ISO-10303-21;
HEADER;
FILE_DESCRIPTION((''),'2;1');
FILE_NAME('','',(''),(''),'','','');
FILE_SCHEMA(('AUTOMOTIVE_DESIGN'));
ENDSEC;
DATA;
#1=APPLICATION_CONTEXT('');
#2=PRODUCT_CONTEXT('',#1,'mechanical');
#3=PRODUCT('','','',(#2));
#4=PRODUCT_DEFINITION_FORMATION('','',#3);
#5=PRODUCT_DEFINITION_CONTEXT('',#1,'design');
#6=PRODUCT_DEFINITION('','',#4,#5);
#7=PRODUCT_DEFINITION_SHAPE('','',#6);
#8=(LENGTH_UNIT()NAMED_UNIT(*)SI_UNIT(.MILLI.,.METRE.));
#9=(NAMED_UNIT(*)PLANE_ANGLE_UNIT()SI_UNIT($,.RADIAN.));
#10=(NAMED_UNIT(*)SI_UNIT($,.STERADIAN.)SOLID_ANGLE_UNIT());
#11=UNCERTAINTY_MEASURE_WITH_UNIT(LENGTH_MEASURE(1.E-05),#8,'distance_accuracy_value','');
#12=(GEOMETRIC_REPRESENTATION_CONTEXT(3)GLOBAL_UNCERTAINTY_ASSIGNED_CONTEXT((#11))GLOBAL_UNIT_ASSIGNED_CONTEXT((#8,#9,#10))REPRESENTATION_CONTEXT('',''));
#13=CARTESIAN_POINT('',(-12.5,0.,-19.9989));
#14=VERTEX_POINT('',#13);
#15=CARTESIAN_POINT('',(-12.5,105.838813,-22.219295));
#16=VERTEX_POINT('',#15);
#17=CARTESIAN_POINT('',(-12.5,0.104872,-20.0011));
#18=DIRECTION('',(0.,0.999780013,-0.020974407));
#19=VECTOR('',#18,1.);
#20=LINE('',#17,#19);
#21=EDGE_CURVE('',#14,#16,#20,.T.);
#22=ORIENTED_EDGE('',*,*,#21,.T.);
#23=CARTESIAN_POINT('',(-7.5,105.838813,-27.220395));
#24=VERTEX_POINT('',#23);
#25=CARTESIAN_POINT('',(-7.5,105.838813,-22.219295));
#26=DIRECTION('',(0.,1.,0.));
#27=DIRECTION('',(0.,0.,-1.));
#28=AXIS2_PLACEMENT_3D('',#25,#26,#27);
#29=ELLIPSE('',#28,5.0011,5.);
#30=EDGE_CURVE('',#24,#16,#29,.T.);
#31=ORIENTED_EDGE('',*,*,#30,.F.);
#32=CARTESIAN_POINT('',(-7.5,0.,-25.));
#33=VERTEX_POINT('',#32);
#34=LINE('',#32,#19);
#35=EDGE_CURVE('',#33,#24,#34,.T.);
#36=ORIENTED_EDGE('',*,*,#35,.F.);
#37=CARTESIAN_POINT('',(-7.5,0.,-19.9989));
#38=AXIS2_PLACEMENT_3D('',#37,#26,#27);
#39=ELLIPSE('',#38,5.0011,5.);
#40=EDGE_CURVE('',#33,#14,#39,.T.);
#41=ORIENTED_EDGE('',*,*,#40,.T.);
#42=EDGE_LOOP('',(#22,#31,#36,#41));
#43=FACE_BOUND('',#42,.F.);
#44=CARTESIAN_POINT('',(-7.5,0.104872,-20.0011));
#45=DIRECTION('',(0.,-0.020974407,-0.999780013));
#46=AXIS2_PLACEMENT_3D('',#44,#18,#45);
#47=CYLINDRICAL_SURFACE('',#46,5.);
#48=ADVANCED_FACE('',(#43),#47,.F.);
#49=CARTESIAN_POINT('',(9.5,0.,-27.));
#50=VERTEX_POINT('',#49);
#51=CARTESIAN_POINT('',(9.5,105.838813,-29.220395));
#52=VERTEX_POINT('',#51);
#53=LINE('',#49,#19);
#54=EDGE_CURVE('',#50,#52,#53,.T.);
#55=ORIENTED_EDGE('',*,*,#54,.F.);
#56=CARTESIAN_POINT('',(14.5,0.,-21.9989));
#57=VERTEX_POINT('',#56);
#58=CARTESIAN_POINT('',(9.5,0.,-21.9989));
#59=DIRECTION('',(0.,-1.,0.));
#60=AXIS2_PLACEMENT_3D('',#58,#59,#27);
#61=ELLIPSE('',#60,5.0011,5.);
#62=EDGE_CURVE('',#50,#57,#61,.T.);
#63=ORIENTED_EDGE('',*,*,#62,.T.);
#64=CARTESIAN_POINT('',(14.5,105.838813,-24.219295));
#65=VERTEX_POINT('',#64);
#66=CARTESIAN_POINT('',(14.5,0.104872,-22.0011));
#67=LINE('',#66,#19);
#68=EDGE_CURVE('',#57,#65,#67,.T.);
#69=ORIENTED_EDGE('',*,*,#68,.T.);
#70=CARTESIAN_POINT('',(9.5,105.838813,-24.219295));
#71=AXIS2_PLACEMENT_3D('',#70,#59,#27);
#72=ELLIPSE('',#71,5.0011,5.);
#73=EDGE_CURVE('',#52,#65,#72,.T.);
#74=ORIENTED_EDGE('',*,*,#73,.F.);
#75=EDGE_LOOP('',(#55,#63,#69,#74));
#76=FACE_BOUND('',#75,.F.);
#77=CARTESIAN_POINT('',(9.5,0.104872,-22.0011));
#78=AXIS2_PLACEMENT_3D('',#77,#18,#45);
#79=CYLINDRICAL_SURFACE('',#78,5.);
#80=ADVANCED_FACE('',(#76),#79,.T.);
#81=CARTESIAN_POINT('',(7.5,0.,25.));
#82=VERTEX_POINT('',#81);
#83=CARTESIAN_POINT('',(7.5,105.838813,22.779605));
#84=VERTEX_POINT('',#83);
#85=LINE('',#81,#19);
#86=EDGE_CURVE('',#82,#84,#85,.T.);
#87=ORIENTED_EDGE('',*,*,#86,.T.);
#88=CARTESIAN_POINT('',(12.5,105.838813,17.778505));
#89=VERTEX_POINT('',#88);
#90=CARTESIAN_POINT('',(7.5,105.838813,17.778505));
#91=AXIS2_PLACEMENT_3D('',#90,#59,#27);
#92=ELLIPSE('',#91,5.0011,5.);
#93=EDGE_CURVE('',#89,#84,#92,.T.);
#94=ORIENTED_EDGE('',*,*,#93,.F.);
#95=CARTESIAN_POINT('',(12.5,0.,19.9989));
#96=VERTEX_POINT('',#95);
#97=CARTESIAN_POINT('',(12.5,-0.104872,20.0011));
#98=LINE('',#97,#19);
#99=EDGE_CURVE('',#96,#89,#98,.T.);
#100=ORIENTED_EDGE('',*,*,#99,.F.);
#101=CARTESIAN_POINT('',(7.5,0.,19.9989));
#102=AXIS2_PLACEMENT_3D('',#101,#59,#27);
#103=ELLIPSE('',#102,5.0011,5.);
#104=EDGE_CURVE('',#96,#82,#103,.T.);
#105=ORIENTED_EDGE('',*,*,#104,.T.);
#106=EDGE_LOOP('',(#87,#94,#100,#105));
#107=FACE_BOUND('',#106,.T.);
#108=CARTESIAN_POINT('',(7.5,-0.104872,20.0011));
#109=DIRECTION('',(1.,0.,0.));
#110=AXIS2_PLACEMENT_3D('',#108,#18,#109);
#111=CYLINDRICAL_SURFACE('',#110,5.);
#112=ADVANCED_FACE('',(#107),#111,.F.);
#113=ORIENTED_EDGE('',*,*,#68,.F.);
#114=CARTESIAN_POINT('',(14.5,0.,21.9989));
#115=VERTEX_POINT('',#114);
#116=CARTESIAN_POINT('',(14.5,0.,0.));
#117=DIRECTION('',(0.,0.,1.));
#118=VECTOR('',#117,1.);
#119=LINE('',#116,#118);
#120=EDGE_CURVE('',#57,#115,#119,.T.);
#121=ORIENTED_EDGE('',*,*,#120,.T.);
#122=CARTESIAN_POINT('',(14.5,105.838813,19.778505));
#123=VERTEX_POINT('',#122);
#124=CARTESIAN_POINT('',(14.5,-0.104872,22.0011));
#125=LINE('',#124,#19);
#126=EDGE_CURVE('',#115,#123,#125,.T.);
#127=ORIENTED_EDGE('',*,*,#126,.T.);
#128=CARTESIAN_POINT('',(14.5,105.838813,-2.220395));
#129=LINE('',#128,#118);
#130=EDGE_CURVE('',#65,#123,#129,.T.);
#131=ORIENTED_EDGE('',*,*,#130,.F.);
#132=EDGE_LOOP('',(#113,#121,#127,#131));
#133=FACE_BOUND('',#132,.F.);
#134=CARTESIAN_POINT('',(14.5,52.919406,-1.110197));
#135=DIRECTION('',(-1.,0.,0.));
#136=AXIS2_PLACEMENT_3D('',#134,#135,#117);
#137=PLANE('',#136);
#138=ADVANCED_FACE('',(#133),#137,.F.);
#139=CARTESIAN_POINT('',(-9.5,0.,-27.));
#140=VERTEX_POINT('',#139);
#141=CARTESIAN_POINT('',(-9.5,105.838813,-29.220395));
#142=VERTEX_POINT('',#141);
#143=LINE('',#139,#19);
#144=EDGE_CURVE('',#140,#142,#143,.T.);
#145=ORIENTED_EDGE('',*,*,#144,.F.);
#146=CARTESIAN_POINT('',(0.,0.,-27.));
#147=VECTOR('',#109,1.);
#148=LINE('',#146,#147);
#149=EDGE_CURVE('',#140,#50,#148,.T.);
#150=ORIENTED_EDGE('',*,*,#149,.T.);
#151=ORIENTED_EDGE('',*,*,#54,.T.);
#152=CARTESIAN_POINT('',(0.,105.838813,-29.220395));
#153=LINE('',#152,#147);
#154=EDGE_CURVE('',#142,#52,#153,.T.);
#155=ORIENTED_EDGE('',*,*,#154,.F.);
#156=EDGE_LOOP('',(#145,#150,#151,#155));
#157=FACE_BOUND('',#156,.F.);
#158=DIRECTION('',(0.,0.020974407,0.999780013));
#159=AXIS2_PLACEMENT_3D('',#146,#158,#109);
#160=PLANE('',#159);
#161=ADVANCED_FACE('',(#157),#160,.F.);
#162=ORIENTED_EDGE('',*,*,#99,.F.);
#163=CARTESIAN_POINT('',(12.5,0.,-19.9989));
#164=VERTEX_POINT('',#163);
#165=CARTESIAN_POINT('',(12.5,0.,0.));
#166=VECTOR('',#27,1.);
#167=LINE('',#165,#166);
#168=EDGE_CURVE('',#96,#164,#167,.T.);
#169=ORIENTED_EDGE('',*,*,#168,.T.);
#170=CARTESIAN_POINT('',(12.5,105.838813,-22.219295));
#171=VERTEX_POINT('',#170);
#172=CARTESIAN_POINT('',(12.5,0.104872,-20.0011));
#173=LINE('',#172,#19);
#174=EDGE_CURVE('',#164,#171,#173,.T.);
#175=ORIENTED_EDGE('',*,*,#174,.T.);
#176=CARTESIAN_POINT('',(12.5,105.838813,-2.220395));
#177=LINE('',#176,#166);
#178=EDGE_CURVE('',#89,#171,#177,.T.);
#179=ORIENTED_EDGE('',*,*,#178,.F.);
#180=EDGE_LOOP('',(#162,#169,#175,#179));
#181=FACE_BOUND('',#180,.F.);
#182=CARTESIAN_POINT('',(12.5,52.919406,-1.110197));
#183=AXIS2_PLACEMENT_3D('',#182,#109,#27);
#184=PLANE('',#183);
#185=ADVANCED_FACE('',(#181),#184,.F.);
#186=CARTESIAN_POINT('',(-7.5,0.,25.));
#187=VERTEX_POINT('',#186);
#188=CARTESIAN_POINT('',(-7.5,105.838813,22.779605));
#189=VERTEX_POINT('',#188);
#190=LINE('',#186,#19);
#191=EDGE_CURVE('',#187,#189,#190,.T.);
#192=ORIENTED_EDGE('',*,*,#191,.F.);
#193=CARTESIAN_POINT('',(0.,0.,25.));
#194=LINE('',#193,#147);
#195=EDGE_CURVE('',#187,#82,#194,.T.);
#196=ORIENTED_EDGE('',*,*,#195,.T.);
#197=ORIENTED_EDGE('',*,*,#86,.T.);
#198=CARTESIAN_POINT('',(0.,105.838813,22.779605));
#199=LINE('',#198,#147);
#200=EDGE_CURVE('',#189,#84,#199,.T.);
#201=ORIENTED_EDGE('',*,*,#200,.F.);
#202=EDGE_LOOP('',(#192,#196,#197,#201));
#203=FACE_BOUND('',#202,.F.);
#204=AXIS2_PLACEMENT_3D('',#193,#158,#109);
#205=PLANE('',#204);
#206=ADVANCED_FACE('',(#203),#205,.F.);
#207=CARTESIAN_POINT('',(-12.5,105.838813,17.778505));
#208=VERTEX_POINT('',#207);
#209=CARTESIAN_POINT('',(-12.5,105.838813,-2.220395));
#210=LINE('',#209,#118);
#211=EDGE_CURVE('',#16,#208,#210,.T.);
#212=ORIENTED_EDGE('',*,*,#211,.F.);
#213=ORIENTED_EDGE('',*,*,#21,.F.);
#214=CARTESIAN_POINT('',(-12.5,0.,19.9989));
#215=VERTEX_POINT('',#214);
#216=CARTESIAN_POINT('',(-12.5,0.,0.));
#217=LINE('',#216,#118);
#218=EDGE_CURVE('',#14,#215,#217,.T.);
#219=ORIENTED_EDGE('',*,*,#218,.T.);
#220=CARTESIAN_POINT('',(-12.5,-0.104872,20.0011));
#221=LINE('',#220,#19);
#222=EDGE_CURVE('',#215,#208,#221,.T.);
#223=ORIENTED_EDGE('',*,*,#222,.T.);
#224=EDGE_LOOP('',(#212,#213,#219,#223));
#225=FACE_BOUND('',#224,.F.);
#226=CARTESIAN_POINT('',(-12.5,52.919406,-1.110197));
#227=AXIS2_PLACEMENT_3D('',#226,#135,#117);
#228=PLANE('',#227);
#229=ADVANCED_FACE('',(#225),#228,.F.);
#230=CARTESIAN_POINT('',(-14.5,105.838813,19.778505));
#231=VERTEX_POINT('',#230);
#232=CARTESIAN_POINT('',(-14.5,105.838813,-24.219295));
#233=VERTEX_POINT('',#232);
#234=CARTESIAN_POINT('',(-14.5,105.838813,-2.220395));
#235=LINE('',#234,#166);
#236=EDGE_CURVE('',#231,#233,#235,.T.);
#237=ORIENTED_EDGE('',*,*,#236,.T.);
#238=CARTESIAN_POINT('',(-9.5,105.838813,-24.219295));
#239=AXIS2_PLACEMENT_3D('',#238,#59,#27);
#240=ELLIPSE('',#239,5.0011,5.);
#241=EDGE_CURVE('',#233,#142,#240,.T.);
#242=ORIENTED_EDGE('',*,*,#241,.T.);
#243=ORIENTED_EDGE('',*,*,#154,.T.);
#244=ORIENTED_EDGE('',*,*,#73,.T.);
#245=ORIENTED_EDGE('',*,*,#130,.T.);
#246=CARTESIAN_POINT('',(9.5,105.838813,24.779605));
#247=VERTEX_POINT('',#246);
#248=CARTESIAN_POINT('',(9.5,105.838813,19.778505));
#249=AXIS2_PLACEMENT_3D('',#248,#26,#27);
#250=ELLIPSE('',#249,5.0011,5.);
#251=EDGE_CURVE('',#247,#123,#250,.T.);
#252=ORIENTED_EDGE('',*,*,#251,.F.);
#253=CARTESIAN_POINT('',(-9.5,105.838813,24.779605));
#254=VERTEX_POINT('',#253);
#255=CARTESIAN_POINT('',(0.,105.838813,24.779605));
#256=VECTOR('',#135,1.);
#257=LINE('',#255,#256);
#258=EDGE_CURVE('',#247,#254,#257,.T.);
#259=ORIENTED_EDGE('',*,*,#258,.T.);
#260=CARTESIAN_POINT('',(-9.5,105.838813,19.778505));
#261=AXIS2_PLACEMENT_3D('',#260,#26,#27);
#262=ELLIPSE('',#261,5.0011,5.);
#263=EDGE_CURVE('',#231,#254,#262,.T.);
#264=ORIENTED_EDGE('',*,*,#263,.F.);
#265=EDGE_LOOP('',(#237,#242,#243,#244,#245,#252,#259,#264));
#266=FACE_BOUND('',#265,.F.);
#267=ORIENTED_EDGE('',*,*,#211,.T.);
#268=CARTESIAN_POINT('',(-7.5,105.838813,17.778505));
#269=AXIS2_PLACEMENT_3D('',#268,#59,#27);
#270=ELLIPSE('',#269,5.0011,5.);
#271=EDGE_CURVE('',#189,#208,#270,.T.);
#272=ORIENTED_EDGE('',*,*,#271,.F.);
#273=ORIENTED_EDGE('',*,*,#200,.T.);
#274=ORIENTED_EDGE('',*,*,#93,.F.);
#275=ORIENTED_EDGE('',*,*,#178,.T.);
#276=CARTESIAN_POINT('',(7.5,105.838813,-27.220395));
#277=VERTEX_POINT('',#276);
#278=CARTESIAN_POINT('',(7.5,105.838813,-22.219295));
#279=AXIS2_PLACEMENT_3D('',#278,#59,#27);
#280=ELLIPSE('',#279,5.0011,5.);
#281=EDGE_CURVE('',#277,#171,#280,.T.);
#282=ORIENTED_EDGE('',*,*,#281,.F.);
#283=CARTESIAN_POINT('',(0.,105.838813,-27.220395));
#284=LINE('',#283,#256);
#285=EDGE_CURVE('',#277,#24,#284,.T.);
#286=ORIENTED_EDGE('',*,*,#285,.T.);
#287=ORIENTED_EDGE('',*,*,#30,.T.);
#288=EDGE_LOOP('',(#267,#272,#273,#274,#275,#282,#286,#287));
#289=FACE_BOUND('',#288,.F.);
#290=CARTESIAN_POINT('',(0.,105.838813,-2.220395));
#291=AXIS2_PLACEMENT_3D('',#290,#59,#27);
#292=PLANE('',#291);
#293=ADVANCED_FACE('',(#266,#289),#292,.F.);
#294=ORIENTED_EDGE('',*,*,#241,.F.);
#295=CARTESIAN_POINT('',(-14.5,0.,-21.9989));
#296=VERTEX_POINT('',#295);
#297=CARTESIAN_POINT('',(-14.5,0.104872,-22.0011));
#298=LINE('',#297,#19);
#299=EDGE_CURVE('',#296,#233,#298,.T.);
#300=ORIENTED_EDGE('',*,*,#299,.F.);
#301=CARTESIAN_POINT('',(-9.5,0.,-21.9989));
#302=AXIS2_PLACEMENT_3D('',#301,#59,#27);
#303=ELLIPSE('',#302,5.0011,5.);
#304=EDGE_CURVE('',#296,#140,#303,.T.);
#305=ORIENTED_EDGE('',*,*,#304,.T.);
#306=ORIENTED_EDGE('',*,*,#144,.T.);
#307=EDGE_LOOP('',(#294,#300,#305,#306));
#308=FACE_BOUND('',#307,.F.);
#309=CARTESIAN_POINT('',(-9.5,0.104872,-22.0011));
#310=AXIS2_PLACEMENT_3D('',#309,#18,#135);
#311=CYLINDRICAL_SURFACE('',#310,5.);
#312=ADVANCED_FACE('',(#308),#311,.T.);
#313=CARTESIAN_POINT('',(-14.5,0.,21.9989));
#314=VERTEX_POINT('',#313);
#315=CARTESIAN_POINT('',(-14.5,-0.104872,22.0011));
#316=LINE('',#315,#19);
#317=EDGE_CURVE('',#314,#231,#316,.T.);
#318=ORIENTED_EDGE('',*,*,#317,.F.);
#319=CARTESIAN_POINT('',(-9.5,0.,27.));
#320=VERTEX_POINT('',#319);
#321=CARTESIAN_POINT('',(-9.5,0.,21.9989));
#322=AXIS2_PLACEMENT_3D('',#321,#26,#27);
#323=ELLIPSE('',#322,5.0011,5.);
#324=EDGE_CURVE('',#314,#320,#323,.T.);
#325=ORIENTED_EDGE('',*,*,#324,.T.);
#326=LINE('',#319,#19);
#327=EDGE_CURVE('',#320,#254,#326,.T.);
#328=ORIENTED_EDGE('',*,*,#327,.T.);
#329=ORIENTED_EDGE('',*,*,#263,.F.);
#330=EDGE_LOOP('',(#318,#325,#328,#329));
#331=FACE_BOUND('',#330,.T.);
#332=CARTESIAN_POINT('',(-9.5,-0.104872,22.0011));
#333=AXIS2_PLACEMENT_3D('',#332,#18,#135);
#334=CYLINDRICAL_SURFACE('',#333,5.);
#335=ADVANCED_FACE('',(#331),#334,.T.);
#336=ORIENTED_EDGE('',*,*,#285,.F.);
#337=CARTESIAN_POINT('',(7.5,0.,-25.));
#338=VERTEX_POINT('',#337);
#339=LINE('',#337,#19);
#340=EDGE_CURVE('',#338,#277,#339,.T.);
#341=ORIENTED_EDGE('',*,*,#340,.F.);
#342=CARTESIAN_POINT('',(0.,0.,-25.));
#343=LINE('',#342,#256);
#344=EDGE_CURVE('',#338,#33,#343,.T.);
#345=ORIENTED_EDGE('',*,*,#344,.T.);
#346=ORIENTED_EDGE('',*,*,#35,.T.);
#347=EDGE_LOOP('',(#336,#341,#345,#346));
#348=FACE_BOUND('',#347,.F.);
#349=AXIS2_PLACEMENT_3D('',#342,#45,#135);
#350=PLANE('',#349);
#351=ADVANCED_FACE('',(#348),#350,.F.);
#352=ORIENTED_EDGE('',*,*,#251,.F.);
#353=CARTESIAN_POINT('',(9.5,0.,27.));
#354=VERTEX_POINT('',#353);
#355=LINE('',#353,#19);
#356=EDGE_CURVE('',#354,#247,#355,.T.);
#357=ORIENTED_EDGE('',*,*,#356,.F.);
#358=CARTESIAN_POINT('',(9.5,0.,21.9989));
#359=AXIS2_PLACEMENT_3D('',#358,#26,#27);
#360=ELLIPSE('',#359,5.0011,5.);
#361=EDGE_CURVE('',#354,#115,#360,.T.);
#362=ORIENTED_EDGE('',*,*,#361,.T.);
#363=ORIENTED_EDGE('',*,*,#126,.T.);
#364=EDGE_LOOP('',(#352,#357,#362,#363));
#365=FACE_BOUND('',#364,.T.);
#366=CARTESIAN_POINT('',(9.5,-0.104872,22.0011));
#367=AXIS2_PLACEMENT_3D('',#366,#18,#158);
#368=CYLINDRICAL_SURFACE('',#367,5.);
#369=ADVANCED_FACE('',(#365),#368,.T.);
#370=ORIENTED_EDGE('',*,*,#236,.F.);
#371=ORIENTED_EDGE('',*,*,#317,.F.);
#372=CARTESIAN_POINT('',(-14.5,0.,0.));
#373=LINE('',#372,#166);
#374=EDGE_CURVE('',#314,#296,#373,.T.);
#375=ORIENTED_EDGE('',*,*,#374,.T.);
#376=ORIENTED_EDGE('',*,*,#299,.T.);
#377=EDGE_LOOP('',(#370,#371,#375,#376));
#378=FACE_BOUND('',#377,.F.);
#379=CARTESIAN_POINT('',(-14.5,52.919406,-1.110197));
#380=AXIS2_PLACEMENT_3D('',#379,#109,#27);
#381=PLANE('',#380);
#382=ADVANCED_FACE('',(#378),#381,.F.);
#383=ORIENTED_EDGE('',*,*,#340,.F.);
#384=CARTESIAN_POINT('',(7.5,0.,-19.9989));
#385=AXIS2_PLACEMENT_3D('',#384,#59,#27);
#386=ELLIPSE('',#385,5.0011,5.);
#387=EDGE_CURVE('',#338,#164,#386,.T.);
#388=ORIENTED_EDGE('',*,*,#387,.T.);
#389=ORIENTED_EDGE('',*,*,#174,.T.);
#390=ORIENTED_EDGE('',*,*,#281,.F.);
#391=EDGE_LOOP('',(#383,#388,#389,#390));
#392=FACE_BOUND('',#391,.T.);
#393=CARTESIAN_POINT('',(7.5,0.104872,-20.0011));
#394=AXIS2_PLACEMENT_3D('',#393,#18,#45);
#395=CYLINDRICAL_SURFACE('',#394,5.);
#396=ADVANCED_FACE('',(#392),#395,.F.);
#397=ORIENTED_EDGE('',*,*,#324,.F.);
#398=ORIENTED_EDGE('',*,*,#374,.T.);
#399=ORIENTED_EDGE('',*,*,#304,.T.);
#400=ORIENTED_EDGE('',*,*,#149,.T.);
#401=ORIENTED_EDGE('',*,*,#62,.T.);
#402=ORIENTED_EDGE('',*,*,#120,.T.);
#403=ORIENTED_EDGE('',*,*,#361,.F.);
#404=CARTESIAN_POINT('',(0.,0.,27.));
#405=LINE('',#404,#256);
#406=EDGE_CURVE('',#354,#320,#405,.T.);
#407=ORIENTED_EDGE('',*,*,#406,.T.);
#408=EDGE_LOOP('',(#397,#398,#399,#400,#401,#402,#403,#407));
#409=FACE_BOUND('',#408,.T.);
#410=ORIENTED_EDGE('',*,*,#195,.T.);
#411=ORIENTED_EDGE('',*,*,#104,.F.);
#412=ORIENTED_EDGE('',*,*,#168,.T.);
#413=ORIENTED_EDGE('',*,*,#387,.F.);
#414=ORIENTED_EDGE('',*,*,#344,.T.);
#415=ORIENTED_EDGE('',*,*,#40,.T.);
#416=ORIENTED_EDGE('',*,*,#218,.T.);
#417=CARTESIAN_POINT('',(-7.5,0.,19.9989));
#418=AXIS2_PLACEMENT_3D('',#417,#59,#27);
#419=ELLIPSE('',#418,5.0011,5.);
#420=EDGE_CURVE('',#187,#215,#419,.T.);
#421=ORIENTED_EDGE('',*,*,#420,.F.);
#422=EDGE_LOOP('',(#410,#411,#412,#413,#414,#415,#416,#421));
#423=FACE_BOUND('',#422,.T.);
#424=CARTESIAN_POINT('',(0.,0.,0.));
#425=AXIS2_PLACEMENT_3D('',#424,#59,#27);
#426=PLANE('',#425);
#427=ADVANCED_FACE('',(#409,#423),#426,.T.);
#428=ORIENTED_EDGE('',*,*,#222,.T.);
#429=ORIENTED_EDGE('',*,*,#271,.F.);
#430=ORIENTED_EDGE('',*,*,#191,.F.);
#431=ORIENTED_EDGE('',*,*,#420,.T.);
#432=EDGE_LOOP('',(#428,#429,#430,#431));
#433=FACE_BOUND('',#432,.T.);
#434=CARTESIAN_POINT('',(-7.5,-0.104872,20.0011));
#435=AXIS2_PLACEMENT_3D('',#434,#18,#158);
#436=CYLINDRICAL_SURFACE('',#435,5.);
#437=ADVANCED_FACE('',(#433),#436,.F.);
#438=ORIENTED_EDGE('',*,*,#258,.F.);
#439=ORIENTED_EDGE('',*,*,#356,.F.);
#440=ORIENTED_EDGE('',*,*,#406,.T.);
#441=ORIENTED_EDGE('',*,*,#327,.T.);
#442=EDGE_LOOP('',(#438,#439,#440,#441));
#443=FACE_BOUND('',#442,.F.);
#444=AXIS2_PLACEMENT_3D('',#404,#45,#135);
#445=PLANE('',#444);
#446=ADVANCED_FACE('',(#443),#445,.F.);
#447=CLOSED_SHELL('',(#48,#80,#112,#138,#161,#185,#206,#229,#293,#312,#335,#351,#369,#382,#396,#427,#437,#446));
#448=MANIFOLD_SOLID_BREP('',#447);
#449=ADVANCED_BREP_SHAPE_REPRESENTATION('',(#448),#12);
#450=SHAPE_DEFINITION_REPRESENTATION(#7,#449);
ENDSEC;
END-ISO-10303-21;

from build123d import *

# Parameters (mm, degrees)
F1_W   = 29
F1_H   = 54
F1_W_2 = 25
F1_H_2 = 50
F4_R   = 5


with BuildPart() as f3:
    # F3: sweep along a path in F2
    with BuildLine(Plane.YZ) as f3_path:
        Line((0, 0), (105.8388128877, -2.2203947883))
    # F1 (on Front) → F3 (sweep)
    with BuildSketch(Plane.XZ):
        Rectangle(F1_W, F1_H)
        Rectangle(F1_W_2, F1_H_2, mode=Mode.SUBTRACT)
    sweep(path=f3_path.line)

    # F4
    f4_edges = [f3.edges().sort_by_distance(p)[0] for p in [
        (14.5, 52.919406, 25.889803),
        (-14.5, 52.919406, 25.889803),
        (-12.5, 52.919406, -26.110197),
        (-12.5, 52.919406, 23.889803),
        (-14.5, 52.919406, -28.110197),
        (12.5, 52.919406, 23.889803),
        (14.5, 52.919406, -28.110197),
        (12.5, 52.919406, -26.110197),
    ]]
    fillet(f4_edges, radius=F4_R)


solid = f3.part
